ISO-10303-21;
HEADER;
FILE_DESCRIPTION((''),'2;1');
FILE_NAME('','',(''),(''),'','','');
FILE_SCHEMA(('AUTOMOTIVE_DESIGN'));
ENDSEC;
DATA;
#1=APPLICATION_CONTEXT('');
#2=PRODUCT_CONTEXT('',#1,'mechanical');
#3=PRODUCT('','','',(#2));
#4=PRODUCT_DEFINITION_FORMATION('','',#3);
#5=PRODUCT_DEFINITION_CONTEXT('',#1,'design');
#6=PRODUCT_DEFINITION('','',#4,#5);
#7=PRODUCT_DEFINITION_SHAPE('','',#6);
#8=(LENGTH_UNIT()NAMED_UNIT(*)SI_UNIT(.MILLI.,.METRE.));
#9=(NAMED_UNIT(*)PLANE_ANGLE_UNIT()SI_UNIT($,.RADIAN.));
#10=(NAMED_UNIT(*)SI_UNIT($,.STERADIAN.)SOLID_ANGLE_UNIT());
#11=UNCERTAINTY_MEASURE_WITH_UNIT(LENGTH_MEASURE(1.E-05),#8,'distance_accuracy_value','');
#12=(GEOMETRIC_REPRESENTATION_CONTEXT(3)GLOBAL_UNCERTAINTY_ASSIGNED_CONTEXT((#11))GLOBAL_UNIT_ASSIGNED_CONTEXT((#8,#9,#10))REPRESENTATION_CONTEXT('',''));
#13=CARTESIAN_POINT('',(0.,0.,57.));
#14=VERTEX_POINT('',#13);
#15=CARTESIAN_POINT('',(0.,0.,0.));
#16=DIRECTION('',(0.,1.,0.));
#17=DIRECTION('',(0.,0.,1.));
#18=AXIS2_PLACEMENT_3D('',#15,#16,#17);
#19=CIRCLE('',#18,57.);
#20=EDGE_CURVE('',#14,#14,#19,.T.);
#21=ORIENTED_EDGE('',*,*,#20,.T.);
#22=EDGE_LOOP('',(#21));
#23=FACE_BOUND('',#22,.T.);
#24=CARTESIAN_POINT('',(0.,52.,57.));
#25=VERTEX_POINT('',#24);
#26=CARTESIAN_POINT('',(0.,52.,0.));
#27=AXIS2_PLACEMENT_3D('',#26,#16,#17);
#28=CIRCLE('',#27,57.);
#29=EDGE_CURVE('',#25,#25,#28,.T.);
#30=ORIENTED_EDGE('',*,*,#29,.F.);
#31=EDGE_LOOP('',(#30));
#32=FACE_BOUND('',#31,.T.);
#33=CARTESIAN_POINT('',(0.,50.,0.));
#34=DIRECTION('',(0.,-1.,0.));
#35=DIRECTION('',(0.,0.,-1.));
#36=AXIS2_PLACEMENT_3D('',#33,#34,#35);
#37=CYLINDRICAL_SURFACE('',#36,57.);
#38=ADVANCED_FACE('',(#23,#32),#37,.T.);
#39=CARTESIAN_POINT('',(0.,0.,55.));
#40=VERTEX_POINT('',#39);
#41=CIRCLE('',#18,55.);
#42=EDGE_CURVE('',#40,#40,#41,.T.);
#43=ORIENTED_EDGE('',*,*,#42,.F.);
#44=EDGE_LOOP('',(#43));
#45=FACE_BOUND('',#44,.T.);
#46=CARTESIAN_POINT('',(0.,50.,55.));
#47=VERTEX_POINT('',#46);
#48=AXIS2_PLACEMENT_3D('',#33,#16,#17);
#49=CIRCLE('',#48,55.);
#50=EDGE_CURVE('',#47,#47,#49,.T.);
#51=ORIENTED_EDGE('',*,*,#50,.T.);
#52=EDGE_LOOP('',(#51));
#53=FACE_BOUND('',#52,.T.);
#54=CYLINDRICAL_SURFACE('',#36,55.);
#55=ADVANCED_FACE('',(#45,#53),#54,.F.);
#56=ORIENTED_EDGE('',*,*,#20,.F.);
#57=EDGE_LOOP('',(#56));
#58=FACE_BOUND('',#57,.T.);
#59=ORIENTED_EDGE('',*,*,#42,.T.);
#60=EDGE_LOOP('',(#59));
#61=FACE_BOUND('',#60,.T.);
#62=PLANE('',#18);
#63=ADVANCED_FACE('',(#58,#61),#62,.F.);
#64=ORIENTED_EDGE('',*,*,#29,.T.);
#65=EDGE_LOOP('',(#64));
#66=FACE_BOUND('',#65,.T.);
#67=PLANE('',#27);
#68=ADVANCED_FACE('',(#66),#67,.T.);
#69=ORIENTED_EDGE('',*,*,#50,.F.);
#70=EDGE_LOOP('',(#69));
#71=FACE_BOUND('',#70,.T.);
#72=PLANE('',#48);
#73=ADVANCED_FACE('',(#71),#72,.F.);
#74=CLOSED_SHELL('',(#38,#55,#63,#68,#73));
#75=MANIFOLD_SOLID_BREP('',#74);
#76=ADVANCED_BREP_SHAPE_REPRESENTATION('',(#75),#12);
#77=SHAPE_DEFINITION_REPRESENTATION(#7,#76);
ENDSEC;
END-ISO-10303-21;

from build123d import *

# Parameters (mm, degrees)
SKETCH_1_R      = 55
EXTRUDE_1_DEPTH = 50
SHELL_1_T       = 2


with BuildPart() as part:
    # 草图1 → 凸台-拉伸1 (new body)
    with BuildSketch(Plane(origin=(0, 0, 0), x_dir=(1, 0, 0), z_dir=(0, 1, 0))):
        with Locations(Location((0, 0, 0), (0, 0, 270))):
            Circle(SKETCH_1_R)
    extrude(amount=EXTRUDE_1_DEPTH)

    # 抽壳1
    shell_1_openings = [part.faces().sort_by_distance(p)[0] for p in [
        (0, 0, 0),
    ]]
    offset(amount=SHELL_1_T, openings=shell_1_openings, kind=Kind.INTERSECTION)


solid = part.part
